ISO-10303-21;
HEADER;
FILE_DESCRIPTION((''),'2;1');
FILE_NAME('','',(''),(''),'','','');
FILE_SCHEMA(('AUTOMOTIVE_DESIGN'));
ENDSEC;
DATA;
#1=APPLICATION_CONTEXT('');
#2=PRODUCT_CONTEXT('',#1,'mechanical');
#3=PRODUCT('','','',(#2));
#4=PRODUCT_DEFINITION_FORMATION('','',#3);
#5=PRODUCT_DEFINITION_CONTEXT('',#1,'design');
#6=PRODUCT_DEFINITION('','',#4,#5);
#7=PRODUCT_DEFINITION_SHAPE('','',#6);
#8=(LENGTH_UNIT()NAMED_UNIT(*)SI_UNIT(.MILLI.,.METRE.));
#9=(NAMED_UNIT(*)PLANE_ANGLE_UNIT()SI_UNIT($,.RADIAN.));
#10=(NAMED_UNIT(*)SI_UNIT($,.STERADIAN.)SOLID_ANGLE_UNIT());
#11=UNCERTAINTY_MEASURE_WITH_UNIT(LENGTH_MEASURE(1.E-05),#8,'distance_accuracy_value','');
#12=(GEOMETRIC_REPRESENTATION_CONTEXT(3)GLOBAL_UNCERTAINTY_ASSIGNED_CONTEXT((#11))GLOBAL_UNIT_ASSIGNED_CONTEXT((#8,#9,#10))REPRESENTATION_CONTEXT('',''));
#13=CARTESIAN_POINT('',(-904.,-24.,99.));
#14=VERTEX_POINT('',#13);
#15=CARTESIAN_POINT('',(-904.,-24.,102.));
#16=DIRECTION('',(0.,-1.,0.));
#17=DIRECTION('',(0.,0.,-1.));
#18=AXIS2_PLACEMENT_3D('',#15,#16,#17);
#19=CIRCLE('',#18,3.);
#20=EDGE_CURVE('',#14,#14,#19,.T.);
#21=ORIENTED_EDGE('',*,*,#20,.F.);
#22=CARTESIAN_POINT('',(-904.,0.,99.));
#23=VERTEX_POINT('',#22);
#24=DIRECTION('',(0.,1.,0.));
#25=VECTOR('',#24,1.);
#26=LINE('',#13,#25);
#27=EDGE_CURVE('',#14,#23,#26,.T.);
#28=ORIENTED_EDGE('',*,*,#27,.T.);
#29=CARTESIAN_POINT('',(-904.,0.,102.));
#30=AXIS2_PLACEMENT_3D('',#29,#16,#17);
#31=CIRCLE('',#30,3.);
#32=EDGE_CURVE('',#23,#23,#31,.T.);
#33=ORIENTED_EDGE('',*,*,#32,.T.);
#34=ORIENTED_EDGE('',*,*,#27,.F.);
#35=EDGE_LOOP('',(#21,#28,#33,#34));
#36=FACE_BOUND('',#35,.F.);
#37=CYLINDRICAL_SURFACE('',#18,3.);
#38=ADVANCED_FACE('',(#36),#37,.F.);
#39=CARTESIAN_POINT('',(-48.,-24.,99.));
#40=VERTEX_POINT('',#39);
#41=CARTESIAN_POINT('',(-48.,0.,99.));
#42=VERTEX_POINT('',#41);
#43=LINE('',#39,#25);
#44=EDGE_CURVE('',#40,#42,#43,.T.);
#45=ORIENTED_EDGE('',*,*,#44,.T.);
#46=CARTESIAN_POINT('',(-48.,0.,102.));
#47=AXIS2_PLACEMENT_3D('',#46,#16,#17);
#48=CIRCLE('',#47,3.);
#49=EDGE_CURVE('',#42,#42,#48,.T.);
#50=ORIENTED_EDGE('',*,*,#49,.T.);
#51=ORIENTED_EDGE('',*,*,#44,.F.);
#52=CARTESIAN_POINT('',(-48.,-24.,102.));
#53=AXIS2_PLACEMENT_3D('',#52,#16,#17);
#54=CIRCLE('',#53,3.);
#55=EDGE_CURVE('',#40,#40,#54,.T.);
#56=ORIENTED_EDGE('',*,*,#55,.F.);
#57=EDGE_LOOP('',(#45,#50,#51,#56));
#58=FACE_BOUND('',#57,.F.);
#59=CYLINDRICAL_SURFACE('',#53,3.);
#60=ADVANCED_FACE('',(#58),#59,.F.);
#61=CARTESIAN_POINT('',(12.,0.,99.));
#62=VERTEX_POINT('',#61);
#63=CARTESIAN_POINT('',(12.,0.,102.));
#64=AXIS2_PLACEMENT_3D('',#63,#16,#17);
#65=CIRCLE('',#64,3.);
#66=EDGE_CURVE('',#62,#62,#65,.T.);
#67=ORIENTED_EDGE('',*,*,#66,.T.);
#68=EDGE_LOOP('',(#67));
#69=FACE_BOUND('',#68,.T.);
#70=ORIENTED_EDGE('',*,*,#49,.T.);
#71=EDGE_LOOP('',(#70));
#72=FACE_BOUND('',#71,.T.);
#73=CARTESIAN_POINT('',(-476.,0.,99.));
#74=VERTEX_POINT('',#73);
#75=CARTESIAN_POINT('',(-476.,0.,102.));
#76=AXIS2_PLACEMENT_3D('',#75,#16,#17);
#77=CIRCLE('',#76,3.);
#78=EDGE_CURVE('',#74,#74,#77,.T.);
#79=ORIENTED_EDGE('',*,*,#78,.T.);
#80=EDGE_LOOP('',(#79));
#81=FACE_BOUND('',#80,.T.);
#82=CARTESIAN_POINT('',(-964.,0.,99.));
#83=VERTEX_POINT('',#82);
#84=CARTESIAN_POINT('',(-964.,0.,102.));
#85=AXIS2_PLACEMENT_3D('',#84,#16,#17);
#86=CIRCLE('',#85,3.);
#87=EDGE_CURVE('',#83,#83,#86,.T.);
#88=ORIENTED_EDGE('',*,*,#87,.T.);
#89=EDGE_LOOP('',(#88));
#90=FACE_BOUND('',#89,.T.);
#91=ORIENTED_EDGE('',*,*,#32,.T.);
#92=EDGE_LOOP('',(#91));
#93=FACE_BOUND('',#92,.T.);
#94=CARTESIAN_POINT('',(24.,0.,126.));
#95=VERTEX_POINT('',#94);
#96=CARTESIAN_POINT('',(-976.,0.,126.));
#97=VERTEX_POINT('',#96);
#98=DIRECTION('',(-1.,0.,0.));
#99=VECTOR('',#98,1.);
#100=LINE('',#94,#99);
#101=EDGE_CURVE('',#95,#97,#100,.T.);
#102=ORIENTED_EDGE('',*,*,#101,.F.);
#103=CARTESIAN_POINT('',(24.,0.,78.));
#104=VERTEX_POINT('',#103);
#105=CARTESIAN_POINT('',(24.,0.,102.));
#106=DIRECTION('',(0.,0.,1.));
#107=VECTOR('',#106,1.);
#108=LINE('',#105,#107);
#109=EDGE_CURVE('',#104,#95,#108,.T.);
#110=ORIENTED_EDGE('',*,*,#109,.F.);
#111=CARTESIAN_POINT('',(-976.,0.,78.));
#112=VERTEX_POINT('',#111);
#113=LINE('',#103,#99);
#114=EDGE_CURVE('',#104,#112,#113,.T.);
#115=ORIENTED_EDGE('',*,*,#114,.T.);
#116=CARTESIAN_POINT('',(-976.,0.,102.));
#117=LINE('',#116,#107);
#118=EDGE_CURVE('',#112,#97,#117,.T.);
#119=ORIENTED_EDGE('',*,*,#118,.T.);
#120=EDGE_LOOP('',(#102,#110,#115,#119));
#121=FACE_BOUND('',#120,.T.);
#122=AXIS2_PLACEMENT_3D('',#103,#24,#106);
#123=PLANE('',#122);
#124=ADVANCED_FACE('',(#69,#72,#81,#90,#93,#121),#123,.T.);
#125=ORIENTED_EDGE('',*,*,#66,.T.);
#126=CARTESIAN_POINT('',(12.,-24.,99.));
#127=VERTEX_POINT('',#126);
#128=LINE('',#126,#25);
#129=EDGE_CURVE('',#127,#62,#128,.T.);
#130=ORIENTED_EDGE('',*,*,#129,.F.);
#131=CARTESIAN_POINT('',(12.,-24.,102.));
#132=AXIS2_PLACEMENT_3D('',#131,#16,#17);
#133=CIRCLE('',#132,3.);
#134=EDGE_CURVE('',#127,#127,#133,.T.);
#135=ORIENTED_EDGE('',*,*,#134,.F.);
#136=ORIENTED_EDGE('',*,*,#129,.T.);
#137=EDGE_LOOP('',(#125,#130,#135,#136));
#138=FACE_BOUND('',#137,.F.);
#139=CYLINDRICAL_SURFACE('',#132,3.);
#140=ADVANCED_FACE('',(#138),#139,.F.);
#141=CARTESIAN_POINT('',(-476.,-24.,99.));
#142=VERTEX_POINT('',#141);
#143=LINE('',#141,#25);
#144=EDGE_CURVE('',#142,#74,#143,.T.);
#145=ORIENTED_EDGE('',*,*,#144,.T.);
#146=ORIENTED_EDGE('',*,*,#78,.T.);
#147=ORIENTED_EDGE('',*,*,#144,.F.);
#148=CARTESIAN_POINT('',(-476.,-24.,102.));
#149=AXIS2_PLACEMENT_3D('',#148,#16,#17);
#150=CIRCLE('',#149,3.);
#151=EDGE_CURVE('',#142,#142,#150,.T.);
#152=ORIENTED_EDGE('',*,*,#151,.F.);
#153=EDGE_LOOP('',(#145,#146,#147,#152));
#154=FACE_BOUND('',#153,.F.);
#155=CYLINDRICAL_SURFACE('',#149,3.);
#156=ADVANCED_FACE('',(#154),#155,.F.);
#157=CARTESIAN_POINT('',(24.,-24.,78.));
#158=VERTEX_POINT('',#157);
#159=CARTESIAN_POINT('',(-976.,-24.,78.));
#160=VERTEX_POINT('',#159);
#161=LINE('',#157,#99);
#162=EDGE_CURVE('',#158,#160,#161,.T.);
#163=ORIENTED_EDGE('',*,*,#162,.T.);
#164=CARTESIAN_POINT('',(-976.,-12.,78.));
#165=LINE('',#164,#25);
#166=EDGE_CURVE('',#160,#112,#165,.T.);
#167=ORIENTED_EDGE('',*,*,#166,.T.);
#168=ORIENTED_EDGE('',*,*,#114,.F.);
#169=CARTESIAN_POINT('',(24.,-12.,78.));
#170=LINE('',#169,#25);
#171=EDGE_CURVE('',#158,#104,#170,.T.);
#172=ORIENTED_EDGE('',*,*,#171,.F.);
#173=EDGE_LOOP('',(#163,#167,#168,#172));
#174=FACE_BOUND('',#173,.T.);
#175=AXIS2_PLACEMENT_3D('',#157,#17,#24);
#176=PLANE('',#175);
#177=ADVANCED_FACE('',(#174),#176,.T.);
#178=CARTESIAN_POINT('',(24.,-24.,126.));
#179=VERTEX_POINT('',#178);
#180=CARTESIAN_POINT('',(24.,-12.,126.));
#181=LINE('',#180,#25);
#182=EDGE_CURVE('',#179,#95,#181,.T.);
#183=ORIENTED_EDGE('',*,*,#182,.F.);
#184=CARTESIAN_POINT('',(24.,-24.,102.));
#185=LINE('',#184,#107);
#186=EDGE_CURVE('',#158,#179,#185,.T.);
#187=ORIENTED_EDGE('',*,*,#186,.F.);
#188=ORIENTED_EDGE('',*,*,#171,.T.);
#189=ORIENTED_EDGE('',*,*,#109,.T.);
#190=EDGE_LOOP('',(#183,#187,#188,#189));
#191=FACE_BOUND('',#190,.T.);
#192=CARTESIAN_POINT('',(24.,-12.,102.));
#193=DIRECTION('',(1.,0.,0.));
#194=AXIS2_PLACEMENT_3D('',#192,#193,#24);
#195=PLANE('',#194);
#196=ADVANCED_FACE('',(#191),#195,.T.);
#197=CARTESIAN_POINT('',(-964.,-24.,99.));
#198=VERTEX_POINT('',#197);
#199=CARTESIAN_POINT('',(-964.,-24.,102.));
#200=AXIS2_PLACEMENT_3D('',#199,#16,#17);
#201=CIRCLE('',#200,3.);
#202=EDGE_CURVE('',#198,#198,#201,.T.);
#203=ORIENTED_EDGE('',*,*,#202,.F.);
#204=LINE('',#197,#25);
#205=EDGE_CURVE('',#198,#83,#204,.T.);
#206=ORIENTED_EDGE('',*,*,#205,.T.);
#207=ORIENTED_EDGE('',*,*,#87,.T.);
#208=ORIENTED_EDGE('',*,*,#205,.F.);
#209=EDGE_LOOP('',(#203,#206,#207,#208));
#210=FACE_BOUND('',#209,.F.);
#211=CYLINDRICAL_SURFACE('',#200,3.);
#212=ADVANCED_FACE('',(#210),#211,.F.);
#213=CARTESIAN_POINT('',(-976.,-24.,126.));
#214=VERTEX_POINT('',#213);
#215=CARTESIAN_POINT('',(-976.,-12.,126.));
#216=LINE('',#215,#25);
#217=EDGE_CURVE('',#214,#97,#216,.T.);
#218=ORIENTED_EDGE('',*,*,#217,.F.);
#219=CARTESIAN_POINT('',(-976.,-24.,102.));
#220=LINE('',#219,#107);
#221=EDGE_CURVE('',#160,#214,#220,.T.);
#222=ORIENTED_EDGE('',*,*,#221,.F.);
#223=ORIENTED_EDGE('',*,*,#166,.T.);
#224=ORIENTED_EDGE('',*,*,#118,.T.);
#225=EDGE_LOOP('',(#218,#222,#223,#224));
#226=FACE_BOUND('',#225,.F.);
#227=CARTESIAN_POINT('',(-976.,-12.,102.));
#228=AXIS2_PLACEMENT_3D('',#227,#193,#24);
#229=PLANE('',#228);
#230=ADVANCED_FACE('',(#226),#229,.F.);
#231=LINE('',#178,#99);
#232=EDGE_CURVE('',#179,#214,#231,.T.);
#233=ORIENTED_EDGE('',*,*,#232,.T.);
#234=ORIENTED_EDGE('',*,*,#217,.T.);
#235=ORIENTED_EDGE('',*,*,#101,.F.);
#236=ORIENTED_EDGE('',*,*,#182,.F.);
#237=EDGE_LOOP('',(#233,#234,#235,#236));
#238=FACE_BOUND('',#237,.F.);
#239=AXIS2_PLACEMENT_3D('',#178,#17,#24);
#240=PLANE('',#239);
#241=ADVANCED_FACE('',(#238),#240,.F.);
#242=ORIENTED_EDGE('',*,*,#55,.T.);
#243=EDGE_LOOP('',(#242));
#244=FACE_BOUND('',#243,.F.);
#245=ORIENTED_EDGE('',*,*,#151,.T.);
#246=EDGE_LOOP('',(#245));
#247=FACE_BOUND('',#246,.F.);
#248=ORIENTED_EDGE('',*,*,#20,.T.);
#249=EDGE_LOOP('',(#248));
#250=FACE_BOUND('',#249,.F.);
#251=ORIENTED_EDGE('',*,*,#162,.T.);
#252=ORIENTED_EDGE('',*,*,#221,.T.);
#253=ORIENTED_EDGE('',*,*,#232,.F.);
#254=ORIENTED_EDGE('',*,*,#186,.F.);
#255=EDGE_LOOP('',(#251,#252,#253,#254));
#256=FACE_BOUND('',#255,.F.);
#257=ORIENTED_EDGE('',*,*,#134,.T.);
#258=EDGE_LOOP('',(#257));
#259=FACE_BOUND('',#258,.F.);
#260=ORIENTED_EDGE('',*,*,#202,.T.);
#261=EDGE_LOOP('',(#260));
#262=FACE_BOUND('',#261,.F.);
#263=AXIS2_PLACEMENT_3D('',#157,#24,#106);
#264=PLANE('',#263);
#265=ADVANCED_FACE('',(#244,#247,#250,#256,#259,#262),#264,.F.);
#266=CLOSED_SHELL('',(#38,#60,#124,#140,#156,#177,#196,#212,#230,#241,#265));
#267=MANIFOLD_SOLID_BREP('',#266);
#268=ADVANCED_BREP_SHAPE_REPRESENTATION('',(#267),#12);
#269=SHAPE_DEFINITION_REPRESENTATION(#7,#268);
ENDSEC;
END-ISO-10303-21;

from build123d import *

# Parameters (mm, degrees)
SKETCH024_W     = 24
SKETCH024_H     = 48
PAD010_DEPTH    = 1000
SKETCH025_R     = 3
POCKET014_DEPTH = 24.001
SKETCH072_R     = 3
POCKET032_DEPTH = 24.001


with BuildPart() as part:
    # Sketch024 → Pad010 (new body)
    with BuildSketch(Plane.YZ):
        with Locations((12, 24)):
            Rectangle(SKETCH024_W, SKETCH024_H)
    extrude(amount=-PAD010_DEPTH)

    # Sketch025 (on Face4 of Pad010) → Pocket014 (cut, through all)
    with BuildSketch(Plane(origin=(0, 0, 0), x_dir=(0, 0, -1), z_dir=(0, -1, 0))):
        with Locations((-24, -12)):
            Circle(SKETCH025_R)
        with Locations((-24, -988)):
            Circle(SKETCH025_R)
    extrude(amount=-POCKET014_DEPTH, mode=Mode.SUBTRACT)

    # Sketch072 (on Face2 of Pocket014) → Pocket032 (cut, through all)
    with BuildSketch(Plane(origin=(0, 0, 0), x_dir=(0, 0, -1), z_dir=(0, -1, 0))):
        with Locations((-24, -928)):
            Circle(SKETCH072_R)
        with Locations((-24, -72)):
            Circle(SKETCH072_R)
        with Locations((-24, -500)):
            Circle(SKETCH072_R)
    extrude(amount=-POCKET032_DEPTH, mode=Mode.SUBTRACT)


with BuildPart() as part_1:
    # Body012 placement: moved
    add(part.part.moved(Location((24, -24, 78))))


solid = part_1.part
